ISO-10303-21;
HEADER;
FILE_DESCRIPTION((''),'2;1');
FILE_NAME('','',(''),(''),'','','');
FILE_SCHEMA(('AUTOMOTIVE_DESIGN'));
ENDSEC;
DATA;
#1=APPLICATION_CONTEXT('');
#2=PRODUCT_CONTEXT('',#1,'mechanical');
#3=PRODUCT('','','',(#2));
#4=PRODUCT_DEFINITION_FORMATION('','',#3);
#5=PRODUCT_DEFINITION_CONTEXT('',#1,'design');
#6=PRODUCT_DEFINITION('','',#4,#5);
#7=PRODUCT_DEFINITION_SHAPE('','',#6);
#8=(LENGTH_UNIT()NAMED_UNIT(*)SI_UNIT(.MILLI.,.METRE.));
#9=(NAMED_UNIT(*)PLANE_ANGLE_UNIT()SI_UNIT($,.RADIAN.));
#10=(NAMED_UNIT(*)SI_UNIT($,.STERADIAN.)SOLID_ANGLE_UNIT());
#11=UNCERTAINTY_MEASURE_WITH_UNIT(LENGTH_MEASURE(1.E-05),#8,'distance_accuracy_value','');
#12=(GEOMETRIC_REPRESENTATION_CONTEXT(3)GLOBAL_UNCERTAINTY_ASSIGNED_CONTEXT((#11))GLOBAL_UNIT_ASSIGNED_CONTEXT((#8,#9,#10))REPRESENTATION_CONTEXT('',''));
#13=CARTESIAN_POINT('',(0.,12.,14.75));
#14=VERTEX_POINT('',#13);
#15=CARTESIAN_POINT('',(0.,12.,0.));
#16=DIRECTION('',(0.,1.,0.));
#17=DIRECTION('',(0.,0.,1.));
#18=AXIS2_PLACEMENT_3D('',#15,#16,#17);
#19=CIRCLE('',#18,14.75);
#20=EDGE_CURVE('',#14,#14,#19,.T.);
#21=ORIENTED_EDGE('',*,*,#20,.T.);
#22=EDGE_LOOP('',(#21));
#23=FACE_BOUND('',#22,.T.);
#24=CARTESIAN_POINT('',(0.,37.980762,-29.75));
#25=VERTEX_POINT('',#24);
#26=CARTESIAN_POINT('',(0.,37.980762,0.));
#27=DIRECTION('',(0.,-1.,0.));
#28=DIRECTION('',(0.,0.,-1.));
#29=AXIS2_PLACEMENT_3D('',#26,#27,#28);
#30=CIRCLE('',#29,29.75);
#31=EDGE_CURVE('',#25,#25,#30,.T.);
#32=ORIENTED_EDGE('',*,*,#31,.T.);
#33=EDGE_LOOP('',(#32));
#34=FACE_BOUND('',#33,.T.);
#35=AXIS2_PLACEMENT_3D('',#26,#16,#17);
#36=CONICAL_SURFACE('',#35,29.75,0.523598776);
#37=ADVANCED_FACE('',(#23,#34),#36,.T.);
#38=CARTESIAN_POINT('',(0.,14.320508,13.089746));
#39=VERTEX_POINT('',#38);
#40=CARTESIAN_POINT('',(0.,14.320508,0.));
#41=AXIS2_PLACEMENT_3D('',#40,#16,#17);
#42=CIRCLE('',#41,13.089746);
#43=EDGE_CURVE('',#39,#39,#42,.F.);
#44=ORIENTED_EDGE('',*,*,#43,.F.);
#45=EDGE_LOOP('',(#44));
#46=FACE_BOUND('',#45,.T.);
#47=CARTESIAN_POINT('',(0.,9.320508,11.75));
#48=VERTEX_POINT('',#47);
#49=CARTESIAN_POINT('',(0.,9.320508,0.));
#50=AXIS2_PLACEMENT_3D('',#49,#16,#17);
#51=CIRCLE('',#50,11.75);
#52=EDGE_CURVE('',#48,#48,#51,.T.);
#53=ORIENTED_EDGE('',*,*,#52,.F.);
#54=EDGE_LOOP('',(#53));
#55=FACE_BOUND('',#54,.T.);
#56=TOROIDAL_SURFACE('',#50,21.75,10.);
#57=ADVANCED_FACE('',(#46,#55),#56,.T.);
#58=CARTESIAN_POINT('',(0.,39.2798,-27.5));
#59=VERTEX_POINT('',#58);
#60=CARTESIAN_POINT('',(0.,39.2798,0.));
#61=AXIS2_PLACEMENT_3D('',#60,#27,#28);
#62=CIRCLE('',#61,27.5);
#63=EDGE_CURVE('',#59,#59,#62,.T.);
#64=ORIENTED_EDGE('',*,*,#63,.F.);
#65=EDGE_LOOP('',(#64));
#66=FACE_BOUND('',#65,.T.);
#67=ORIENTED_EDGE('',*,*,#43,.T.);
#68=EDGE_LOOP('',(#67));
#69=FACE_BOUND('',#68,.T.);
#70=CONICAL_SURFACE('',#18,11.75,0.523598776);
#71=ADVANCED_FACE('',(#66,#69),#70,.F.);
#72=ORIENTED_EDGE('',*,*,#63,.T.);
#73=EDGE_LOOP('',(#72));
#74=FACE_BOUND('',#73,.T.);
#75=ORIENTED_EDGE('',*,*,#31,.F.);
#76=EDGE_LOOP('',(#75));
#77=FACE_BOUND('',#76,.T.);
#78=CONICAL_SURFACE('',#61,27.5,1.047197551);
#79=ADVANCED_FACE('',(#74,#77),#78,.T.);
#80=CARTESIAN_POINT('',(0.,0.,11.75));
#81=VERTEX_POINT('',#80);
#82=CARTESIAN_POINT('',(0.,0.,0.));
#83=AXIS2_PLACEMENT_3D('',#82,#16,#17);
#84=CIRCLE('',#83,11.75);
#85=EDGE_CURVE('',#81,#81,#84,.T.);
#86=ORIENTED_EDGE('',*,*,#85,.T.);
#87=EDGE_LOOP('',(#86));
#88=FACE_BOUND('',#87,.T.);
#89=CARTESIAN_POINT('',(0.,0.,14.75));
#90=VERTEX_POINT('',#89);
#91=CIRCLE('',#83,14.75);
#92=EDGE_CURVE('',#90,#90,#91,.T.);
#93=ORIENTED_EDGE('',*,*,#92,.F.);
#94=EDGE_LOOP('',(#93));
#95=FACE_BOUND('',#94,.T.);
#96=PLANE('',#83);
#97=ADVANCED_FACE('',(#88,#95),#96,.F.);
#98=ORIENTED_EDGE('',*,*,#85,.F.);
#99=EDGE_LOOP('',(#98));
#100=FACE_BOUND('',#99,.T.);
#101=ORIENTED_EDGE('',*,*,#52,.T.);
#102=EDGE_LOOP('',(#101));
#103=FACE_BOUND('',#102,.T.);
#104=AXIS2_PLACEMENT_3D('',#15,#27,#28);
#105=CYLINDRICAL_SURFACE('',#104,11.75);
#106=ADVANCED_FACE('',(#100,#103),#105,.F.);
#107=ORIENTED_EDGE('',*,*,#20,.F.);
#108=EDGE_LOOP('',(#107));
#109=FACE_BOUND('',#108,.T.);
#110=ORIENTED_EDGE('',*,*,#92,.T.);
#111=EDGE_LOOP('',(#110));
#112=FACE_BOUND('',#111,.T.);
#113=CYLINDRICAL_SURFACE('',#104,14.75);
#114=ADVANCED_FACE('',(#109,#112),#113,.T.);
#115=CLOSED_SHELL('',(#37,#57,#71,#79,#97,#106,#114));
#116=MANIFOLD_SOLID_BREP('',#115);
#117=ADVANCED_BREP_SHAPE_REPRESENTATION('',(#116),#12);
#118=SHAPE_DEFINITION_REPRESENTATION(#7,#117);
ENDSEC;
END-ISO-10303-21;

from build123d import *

# Parameters (mm, degrees)
SKETCH1_R           = 14.75
SKETCH1_R_2         = 11.75
BOSS_EXTRUDE1_DEPTH = 12
FILLET1_R           = 10


with BuildPart() as part:
    # Sketch1 → Boss-Extrude1 (new body)
    with BuildSketch(Plane(origin=(0, 0, 0), x_dir=(1, 0, 0), z_dir=(0, 1, 0))):
        with Locations(Location((0, 0, 0), (0, 0, 270))):
            Circle(SKETCH1_R)
        with Locations(Location((0, 0, 0), (0, 0, 270))):
            Circle(SKETCH1_R_2, mode=Mode.SUBTRACT)
    extrude(amount=BOSS_EXTRUDE1_DEPTH)

    # Sketch2 → Revolve1 (revolve)
    with BuildSketch(Plane.XY, mode=Mode.PRIVATE) as revolve1_sk:
        Polygon((-14.75, 12), (-29.75, 37.980762114), (-27.5, 39.279800219), (-11.75, 12), align=None)
    revolve(revolve1_sk.sketch.rotate(Axis((0, 0, 0), (0, 1, 0)), 270), axis=Axis((0, 0, 0), (0, 1, 0)))

    # Fillet1
    fillet1_edges = [part.edges().sort_by_distance(p)[0] for p in [
        (-11.75, 12, 0),
    ]]
    fillet(fillet1_edges, radius=FILLET1_R)


solid = part.part
